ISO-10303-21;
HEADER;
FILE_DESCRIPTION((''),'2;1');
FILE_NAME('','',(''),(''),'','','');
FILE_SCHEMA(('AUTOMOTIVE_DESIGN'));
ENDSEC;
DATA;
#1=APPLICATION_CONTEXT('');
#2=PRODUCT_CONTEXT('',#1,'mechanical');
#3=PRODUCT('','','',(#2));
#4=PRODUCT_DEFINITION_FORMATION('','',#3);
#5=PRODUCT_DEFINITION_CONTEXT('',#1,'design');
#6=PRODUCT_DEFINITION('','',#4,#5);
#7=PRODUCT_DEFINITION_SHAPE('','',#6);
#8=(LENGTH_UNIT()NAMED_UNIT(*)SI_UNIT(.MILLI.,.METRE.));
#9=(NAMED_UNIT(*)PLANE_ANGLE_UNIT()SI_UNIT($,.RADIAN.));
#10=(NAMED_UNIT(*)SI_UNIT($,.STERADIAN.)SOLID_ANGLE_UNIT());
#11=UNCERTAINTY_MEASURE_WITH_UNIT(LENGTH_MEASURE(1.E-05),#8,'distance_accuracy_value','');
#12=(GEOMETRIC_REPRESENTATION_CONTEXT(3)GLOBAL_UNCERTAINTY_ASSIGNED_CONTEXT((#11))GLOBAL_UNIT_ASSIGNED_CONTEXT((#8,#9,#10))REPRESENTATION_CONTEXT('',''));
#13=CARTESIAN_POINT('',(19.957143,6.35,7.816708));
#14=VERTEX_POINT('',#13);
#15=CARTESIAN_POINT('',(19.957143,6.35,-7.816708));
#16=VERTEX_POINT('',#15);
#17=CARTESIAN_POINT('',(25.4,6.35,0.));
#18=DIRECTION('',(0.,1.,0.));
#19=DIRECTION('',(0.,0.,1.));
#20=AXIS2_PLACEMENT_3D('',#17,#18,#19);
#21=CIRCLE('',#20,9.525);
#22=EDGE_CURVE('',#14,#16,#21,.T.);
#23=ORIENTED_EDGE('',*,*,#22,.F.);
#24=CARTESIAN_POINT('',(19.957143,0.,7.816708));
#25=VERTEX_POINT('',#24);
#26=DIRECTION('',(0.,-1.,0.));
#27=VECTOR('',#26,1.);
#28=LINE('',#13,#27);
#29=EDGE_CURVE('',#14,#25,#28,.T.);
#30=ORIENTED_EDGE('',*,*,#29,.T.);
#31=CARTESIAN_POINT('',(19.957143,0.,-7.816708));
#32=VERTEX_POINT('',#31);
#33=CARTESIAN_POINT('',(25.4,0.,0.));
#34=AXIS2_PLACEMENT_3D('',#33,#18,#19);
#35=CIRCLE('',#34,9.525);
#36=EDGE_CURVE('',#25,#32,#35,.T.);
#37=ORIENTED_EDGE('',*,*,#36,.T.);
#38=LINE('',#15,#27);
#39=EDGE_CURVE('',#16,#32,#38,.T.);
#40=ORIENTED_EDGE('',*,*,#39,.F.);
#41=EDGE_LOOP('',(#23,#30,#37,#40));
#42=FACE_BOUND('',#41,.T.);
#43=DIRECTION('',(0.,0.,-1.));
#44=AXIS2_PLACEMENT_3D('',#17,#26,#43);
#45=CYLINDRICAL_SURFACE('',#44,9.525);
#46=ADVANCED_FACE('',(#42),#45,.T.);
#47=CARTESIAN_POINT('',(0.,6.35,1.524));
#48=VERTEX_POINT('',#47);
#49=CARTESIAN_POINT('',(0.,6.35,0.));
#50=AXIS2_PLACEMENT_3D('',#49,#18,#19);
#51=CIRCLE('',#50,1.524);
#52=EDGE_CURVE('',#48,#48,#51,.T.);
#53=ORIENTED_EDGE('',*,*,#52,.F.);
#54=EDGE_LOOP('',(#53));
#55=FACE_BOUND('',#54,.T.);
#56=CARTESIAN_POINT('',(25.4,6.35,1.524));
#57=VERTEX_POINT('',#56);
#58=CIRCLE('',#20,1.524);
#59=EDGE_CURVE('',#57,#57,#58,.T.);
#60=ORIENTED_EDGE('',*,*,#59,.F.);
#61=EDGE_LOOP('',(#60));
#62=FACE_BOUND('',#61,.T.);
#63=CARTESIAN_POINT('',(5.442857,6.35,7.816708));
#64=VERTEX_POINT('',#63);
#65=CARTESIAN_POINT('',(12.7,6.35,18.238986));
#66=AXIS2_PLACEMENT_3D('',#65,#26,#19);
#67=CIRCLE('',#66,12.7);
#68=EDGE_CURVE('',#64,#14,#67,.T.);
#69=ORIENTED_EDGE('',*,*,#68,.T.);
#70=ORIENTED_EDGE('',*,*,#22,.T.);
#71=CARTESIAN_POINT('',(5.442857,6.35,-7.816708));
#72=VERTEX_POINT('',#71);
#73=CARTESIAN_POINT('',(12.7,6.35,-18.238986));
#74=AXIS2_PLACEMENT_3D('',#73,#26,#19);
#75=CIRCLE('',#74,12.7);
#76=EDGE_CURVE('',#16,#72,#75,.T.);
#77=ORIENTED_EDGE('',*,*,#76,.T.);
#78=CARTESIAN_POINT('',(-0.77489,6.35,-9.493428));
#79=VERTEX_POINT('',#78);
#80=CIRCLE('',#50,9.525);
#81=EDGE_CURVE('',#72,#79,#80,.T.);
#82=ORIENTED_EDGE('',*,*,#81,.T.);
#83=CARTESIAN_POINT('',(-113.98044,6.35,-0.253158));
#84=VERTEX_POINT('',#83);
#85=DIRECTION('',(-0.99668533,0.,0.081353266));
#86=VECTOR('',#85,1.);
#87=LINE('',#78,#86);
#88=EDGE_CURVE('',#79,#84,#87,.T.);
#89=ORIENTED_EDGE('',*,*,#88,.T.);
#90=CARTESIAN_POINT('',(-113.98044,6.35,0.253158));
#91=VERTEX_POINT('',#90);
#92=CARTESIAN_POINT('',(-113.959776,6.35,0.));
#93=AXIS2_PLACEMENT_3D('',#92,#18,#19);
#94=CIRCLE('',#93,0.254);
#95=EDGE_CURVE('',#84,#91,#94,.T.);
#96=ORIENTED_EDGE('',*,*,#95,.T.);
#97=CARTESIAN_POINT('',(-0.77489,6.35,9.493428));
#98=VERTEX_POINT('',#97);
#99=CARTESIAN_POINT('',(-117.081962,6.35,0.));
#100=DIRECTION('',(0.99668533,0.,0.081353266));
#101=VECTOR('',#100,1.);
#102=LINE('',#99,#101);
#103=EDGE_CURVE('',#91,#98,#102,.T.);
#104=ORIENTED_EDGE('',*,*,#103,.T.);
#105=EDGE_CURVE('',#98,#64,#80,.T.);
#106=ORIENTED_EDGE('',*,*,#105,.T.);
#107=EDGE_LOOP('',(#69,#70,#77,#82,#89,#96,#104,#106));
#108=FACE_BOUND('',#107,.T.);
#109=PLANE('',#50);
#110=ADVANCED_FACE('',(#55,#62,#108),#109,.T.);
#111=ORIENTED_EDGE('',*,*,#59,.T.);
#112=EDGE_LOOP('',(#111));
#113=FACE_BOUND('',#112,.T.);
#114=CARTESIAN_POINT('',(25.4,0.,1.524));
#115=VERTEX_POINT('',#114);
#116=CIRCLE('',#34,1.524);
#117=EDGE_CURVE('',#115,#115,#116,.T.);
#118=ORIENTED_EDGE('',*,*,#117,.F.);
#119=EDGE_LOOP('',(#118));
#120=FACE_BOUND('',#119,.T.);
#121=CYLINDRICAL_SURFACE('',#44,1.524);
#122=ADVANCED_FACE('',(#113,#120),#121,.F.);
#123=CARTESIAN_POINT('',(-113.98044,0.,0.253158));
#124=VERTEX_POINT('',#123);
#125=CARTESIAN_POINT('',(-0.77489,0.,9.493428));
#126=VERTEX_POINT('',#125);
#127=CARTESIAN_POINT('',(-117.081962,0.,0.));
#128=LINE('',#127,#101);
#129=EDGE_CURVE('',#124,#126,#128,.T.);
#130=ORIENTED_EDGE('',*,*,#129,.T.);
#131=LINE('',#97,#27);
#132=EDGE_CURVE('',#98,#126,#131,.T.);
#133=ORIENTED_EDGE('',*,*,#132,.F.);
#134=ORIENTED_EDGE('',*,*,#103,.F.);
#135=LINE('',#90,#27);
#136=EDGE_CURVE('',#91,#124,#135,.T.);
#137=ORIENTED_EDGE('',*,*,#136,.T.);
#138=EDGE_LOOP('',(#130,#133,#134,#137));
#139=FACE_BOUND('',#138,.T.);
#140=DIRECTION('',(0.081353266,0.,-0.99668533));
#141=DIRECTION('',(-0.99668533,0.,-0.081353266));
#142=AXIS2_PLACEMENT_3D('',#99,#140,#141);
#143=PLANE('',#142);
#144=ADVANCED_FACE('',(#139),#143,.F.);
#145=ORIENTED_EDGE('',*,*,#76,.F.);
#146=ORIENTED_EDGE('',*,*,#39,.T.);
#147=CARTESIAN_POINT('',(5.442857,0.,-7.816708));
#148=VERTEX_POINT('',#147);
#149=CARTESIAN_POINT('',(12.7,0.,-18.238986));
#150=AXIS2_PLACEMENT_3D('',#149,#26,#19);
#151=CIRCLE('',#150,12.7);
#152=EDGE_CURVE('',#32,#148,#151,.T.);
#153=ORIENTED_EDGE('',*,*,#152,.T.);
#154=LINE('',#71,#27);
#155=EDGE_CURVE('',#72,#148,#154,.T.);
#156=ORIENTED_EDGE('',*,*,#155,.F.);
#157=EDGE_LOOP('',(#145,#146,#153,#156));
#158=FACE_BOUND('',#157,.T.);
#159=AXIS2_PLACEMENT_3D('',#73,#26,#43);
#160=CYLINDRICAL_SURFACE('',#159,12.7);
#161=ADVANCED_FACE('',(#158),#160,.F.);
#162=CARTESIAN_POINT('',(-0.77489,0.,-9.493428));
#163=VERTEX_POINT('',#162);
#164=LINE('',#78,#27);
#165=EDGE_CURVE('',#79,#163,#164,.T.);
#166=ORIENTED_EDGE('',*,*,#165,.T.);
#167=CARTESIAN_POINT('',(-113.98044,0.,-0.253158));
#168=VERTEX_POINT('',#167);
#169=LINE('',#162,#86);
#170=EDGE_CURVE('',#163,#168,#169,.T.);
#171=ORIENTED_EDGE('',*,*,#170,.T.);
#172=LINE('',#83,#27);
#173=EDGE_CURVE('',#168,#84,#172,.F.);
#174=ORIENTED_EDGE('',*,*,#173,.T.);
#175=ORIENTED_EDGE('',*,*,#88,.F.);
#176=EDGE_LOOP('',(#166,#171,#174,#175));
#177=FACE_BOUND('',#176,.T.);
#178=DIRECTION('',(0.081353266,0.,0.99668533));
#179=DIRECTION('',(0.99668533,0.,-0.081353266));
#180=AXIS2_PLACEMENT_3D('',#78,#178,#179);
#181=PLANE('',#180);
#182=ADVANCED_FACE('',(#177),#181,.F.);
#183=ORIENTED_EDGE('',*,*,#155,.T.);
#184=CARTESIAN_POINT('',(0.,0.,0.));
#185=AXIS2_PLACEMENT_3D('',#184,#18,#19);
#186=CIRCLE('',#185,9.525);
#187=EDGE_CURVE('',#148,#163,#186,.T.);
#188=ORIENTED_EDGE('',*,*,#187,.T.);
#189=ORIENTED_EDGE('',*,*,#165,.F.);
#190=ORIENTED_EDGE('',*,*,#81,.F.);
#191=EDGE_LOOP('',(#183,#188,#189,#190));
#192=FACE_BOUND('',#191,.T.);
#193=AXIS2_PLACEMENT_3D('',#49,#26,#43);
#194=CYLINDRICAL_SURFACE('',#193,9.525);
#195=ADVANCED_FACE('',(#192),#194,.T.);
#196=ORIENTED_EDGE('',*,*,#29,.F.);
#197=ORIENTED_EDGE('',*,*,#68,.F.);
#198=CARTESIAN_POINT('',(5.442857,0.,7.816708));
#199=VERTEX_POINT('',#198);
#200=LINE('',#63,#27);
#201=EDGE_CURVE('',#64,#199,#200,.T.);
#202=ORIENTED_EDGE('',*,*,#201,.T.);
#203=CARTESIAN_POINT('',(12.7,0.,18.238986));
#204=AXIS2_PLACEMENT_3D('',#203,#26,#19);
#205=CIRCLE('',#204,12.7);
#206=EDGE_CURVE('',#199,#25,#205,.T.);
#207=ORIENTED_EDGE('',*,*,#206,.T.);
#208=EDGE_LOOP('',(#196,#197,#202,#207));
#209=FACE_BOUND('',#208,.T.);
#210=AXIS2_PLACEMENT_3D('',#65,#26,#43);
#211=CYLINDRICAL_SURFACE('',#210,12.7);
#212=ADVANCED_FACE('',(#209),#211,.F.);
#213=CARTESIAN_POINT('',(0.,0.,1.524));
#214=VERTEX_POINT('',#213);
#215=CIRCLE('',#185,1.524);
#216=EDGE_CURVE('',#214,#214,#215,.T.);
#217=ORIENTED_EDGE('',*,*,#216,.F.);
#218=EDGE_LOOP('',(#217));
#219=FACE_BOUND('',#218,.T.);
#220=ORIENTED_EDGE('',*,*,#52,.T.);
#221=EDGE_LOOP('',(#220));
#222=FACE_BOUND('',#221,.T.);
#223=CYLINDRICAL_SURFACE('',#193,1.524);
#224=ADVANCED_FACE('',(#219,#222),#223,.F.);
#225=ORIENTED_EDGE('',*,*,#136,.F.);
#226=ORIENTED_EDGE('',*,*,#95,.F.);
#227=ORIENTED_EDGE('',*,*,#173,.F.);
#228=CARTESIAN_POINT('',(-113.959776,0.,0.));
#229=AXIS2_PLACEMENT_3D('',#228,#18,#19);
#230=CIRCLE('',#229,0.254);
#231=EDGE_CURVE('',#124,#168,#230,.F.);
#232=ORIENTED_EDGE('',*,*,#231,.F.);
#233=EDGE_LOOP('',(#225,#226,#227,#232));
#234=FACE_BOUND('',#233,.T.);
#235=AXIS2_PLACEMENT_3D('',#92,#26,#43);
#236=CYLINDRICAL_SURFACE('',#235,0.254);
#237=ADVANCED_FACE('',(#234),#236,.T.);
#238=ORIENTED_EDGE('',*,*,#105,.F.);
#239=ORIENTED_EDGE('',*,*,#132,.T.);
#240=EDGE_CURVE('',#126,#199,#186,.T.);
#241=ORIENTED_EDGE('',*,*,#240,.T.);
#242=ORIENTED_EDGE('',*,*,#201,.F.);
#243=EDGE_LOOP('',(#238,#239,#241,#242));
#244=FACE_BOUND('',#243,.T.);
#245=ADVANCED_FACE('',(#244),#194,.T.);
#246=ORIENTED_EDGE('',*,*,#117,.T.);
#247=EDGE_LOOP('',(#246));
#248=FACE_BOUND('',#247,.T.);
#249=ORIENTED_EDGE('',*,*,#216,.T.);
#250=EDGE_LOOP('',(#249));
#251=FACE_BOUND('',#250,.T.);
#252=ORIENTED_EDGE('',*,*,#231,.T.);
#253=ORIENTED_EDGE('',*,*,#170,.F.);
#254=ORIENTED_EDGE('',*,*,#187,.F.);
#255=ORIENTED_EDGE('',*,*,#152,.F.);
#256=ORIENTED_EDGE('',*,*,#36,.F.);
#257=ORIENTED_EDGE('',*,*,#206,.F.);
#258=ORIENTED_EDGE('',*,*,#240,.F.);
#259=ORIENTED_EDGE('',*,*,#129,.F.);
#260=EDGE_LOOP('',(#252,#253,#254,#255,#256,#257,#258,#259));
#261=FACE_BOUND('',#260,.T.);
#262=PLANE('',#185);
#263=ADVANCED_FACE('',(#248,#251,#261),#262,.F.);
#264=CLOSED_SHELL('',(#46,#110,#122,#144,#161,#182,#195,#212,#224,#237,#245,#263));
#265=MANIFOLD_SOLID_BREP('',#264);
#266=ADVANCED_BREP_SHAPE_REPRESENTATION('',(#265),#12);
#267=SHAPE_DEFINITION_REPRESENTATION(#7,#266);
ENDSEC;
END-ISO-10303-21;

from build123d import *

# Parameters (mm, degrees)
SKETCH1_R           = 1.524
BOSS_EXTRUDE1_DEPTH = 6.35
FILLET1_R           = 0.254


with BuildPart() as part:
    # Sketch1 → Boss-Extrude1 (new body)
    with BuildSketch(Plane(origin=(0, 0, 0), x_dir=(1, 0, 0), z_dir=(0, 1, 0))):
        with BuildLine():
            Line((-0.774889862, 9.493427764), (-117.081961553, 0))
            Line((-117.081961553, 0), (-0.774889862, -9.493427764))
            ThreePointArc((-0.774889862, -9.493427764), (2.47998519, -9.19648294), (5.442857143, -7.816708458))
            ThreePointArc((5.442857143, -7.816708458), (12.7, -5.538986403), (19.957142857, -7.816708458))
            ThreePointArc((19.957142857, -7.816708458), (34.925, 0), (19.957142857, 7.816708458))
            ThreePointArc((19.957142857, 7.816708458), (12.7, 5.538986403), (5.442857143, 7.816708458))
            ThreePointArc((5.442857143, 7.816708458), (2.47998519, 9.19648294), (-0.774889862, 9.493427764))
        make_face()
        Circle(SKETCH1_R, mode=Mode.SUBTRACT)
        with Locations((25.4, 0)):
            Circle(SKETCH1_R, mode=Mode.SUBTRACT)
    extrude(amount=BOSS_EXTRUDE1_DEPTH)

    # Fillet1
    fillet1_edges = [part.edges().sort_by_distance(p)[0] for p in [
        (-117.081961553, 3.175, 0),
    ]]
    fillet(fillet1_edges, radius=FILLET1_R)


solid = part.part
